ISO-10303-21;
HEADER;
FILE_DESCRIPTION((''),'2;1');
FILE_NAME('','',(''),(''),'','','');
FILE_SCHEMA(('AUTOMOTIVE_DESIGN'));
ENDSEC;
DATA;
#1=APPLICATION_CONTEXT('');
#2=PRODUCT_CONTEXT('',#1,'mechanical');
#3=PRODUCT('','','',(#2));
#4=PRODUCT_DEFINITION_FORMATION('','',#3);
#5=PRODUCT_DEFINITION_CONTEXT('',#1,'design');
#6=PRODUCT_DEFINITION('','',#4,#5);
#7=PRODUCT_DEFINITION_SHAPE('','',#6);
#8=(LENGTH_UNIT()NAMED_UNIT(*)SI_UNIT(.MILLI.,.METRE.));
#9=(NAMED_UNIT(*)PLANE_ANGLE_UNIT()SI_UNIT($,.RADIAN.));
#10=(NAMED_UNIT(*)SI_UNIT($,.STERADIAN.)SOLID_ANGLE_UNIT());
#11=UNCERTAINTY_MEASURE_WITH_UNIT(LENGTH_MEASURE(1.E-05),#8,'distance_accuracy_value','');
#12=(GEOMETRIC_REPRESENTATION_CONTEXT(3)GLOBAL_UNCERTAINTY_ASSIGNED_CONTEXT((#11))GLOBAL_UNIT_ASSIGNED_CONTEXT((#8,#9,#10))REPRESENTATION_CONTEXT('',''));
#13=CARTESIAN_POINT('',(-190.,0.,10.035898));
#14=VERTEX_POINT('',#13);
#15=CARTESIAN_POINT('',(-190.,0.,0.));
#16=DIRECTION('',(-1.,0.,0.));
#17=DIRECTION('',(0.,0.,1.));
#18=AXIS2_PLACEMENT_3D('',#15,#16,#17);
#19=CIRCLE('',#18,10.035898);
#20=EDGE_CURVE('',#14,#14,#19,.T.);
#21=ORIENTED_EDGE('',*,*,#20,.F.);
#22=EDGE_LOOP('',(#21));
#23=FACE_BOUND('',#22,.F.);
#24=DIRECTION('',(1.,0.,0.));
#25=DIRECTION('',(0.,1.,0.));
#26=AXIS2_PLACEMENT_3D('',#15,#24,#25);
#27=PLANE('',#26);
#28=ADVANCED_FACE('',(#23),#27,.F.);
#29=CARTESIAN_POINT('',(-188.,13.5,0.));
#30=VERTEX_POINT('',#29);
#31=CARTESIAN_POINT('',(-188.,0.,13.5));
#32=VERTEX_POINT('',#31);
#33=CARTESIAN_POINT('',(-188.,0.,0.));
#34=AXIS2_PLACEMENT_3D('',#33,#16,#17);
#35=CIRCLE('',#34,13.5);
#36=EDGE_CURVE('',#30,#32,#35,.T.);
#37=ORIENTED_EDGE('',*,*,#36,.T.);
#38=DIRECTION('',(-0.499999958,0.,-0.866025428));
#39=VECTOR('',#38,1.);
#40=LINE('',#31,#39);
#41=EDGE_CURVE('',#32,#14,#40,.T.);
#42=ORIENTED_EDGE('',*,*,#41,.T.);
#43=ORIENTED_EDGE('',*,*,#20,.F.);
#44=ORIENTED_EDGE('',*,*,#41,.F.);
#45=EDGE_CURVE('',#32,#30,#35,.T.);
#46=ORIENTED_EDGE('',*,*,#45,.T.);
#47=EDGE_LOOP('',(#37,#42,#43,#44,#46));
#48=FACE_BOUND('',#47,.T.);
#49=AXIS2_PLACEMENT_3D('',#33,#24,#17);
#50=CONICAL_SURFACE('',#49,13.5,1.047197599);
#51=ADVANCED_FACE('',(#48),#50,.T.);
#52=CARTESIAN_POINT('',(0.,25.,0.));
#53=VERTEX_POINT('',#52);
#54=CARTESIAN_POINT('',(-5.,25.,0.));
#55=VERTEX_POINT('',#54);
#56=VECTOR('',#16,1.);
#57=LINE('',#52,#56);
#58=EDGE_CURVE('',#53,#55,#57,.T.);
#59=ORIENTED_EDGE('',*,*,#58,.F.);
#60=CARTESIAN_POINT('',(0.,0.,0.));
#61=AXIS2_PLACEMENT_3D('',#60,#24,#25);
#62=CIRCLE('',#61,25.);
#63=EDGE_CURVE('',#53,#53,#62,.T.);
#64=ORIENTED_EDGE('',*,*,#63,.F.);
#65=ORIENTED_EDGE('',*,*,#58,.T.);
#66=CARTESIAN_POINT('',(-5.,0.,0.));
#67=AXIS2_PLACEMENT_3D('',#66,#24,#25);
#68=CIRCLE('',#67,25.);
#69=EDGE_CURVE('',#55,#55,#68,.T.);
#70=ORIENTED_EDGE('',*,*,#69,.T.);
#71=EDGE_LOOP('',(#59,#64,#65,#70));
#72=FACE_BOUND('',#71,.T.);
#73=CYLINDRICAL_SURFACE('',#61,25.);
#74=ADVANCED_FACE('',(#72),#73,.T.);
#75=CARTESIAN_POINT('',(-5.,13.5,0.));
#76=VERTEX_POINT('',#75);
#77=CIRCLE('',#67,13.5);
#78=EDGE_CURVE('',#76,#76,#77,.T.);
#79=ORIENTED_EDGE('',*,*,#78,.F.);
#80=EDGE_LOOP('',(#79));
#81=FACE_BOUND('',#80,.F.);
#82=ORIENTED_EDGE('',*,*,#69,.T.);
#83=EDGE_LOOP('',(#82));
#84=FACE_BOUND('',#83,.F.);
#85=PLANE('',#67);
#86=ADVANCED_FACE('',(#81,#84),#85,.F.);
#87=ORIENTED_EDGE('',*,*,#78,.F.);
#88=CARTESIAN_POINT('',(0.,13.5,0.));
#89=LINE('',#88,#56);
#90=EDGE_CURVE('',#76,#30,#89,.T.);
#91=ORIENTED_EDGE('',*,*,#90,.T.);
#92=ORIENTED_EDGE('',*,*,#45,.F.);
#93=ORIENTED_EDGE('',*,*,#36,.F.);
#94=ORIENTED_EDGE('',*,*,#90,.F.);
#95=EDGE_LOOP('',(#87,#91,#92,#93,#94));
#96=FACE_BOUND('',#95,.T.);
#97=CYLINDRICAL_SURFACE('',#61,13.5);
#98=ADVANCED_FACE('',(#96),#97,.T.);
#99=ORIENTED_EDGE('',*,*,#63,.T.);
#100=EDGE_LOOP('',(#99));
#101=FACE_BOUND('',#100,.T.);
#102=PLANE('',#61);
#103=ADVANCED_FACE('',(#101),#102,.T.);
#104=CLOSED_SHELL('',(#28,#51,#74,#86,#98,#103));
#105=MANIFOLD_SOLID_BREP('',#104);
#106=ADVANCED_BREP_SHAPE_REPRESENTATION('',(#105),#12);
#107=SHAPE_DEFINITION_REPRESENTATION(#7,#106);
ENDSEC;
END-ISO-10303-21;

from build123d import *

# Parameters (mm, degrees)
F0_R     = 13.5
F1_DEPTH = 190
F0_R_2   = 25
F2_DEPTH = 5


with BuildPart() as f1:
    # F0 (on Right) → F1 (new body)
    with BuildSketch(Plane.YZ):
        Circle(F0_R)
    extrude(amount=-F1_DEPTH)

    # F0 (on Right) → F2 (join)
    with BuildSketch(Plane.YZ):
        Circle(F0_R_2)
        Circle(F0_R, mode=Mode.SUBTRACT)
    extrude(amount=-F2_DEPTH)

    # F4 (on face) → F5 (revolve, cut)
    with BuildSketch(Plane(origin=(0, 0, 0), x_dir=(-1, 0, 0), z_dir=(0, 1, 0))):
        Polygon((190, 13.5), (188, 13.5), (190, 10.035898), align=None)
    revolve(axis=Axis((-95, 0, 0), (-1, 0, 0)), mode=Mode.SUBTRACT)


solid = f1.part
